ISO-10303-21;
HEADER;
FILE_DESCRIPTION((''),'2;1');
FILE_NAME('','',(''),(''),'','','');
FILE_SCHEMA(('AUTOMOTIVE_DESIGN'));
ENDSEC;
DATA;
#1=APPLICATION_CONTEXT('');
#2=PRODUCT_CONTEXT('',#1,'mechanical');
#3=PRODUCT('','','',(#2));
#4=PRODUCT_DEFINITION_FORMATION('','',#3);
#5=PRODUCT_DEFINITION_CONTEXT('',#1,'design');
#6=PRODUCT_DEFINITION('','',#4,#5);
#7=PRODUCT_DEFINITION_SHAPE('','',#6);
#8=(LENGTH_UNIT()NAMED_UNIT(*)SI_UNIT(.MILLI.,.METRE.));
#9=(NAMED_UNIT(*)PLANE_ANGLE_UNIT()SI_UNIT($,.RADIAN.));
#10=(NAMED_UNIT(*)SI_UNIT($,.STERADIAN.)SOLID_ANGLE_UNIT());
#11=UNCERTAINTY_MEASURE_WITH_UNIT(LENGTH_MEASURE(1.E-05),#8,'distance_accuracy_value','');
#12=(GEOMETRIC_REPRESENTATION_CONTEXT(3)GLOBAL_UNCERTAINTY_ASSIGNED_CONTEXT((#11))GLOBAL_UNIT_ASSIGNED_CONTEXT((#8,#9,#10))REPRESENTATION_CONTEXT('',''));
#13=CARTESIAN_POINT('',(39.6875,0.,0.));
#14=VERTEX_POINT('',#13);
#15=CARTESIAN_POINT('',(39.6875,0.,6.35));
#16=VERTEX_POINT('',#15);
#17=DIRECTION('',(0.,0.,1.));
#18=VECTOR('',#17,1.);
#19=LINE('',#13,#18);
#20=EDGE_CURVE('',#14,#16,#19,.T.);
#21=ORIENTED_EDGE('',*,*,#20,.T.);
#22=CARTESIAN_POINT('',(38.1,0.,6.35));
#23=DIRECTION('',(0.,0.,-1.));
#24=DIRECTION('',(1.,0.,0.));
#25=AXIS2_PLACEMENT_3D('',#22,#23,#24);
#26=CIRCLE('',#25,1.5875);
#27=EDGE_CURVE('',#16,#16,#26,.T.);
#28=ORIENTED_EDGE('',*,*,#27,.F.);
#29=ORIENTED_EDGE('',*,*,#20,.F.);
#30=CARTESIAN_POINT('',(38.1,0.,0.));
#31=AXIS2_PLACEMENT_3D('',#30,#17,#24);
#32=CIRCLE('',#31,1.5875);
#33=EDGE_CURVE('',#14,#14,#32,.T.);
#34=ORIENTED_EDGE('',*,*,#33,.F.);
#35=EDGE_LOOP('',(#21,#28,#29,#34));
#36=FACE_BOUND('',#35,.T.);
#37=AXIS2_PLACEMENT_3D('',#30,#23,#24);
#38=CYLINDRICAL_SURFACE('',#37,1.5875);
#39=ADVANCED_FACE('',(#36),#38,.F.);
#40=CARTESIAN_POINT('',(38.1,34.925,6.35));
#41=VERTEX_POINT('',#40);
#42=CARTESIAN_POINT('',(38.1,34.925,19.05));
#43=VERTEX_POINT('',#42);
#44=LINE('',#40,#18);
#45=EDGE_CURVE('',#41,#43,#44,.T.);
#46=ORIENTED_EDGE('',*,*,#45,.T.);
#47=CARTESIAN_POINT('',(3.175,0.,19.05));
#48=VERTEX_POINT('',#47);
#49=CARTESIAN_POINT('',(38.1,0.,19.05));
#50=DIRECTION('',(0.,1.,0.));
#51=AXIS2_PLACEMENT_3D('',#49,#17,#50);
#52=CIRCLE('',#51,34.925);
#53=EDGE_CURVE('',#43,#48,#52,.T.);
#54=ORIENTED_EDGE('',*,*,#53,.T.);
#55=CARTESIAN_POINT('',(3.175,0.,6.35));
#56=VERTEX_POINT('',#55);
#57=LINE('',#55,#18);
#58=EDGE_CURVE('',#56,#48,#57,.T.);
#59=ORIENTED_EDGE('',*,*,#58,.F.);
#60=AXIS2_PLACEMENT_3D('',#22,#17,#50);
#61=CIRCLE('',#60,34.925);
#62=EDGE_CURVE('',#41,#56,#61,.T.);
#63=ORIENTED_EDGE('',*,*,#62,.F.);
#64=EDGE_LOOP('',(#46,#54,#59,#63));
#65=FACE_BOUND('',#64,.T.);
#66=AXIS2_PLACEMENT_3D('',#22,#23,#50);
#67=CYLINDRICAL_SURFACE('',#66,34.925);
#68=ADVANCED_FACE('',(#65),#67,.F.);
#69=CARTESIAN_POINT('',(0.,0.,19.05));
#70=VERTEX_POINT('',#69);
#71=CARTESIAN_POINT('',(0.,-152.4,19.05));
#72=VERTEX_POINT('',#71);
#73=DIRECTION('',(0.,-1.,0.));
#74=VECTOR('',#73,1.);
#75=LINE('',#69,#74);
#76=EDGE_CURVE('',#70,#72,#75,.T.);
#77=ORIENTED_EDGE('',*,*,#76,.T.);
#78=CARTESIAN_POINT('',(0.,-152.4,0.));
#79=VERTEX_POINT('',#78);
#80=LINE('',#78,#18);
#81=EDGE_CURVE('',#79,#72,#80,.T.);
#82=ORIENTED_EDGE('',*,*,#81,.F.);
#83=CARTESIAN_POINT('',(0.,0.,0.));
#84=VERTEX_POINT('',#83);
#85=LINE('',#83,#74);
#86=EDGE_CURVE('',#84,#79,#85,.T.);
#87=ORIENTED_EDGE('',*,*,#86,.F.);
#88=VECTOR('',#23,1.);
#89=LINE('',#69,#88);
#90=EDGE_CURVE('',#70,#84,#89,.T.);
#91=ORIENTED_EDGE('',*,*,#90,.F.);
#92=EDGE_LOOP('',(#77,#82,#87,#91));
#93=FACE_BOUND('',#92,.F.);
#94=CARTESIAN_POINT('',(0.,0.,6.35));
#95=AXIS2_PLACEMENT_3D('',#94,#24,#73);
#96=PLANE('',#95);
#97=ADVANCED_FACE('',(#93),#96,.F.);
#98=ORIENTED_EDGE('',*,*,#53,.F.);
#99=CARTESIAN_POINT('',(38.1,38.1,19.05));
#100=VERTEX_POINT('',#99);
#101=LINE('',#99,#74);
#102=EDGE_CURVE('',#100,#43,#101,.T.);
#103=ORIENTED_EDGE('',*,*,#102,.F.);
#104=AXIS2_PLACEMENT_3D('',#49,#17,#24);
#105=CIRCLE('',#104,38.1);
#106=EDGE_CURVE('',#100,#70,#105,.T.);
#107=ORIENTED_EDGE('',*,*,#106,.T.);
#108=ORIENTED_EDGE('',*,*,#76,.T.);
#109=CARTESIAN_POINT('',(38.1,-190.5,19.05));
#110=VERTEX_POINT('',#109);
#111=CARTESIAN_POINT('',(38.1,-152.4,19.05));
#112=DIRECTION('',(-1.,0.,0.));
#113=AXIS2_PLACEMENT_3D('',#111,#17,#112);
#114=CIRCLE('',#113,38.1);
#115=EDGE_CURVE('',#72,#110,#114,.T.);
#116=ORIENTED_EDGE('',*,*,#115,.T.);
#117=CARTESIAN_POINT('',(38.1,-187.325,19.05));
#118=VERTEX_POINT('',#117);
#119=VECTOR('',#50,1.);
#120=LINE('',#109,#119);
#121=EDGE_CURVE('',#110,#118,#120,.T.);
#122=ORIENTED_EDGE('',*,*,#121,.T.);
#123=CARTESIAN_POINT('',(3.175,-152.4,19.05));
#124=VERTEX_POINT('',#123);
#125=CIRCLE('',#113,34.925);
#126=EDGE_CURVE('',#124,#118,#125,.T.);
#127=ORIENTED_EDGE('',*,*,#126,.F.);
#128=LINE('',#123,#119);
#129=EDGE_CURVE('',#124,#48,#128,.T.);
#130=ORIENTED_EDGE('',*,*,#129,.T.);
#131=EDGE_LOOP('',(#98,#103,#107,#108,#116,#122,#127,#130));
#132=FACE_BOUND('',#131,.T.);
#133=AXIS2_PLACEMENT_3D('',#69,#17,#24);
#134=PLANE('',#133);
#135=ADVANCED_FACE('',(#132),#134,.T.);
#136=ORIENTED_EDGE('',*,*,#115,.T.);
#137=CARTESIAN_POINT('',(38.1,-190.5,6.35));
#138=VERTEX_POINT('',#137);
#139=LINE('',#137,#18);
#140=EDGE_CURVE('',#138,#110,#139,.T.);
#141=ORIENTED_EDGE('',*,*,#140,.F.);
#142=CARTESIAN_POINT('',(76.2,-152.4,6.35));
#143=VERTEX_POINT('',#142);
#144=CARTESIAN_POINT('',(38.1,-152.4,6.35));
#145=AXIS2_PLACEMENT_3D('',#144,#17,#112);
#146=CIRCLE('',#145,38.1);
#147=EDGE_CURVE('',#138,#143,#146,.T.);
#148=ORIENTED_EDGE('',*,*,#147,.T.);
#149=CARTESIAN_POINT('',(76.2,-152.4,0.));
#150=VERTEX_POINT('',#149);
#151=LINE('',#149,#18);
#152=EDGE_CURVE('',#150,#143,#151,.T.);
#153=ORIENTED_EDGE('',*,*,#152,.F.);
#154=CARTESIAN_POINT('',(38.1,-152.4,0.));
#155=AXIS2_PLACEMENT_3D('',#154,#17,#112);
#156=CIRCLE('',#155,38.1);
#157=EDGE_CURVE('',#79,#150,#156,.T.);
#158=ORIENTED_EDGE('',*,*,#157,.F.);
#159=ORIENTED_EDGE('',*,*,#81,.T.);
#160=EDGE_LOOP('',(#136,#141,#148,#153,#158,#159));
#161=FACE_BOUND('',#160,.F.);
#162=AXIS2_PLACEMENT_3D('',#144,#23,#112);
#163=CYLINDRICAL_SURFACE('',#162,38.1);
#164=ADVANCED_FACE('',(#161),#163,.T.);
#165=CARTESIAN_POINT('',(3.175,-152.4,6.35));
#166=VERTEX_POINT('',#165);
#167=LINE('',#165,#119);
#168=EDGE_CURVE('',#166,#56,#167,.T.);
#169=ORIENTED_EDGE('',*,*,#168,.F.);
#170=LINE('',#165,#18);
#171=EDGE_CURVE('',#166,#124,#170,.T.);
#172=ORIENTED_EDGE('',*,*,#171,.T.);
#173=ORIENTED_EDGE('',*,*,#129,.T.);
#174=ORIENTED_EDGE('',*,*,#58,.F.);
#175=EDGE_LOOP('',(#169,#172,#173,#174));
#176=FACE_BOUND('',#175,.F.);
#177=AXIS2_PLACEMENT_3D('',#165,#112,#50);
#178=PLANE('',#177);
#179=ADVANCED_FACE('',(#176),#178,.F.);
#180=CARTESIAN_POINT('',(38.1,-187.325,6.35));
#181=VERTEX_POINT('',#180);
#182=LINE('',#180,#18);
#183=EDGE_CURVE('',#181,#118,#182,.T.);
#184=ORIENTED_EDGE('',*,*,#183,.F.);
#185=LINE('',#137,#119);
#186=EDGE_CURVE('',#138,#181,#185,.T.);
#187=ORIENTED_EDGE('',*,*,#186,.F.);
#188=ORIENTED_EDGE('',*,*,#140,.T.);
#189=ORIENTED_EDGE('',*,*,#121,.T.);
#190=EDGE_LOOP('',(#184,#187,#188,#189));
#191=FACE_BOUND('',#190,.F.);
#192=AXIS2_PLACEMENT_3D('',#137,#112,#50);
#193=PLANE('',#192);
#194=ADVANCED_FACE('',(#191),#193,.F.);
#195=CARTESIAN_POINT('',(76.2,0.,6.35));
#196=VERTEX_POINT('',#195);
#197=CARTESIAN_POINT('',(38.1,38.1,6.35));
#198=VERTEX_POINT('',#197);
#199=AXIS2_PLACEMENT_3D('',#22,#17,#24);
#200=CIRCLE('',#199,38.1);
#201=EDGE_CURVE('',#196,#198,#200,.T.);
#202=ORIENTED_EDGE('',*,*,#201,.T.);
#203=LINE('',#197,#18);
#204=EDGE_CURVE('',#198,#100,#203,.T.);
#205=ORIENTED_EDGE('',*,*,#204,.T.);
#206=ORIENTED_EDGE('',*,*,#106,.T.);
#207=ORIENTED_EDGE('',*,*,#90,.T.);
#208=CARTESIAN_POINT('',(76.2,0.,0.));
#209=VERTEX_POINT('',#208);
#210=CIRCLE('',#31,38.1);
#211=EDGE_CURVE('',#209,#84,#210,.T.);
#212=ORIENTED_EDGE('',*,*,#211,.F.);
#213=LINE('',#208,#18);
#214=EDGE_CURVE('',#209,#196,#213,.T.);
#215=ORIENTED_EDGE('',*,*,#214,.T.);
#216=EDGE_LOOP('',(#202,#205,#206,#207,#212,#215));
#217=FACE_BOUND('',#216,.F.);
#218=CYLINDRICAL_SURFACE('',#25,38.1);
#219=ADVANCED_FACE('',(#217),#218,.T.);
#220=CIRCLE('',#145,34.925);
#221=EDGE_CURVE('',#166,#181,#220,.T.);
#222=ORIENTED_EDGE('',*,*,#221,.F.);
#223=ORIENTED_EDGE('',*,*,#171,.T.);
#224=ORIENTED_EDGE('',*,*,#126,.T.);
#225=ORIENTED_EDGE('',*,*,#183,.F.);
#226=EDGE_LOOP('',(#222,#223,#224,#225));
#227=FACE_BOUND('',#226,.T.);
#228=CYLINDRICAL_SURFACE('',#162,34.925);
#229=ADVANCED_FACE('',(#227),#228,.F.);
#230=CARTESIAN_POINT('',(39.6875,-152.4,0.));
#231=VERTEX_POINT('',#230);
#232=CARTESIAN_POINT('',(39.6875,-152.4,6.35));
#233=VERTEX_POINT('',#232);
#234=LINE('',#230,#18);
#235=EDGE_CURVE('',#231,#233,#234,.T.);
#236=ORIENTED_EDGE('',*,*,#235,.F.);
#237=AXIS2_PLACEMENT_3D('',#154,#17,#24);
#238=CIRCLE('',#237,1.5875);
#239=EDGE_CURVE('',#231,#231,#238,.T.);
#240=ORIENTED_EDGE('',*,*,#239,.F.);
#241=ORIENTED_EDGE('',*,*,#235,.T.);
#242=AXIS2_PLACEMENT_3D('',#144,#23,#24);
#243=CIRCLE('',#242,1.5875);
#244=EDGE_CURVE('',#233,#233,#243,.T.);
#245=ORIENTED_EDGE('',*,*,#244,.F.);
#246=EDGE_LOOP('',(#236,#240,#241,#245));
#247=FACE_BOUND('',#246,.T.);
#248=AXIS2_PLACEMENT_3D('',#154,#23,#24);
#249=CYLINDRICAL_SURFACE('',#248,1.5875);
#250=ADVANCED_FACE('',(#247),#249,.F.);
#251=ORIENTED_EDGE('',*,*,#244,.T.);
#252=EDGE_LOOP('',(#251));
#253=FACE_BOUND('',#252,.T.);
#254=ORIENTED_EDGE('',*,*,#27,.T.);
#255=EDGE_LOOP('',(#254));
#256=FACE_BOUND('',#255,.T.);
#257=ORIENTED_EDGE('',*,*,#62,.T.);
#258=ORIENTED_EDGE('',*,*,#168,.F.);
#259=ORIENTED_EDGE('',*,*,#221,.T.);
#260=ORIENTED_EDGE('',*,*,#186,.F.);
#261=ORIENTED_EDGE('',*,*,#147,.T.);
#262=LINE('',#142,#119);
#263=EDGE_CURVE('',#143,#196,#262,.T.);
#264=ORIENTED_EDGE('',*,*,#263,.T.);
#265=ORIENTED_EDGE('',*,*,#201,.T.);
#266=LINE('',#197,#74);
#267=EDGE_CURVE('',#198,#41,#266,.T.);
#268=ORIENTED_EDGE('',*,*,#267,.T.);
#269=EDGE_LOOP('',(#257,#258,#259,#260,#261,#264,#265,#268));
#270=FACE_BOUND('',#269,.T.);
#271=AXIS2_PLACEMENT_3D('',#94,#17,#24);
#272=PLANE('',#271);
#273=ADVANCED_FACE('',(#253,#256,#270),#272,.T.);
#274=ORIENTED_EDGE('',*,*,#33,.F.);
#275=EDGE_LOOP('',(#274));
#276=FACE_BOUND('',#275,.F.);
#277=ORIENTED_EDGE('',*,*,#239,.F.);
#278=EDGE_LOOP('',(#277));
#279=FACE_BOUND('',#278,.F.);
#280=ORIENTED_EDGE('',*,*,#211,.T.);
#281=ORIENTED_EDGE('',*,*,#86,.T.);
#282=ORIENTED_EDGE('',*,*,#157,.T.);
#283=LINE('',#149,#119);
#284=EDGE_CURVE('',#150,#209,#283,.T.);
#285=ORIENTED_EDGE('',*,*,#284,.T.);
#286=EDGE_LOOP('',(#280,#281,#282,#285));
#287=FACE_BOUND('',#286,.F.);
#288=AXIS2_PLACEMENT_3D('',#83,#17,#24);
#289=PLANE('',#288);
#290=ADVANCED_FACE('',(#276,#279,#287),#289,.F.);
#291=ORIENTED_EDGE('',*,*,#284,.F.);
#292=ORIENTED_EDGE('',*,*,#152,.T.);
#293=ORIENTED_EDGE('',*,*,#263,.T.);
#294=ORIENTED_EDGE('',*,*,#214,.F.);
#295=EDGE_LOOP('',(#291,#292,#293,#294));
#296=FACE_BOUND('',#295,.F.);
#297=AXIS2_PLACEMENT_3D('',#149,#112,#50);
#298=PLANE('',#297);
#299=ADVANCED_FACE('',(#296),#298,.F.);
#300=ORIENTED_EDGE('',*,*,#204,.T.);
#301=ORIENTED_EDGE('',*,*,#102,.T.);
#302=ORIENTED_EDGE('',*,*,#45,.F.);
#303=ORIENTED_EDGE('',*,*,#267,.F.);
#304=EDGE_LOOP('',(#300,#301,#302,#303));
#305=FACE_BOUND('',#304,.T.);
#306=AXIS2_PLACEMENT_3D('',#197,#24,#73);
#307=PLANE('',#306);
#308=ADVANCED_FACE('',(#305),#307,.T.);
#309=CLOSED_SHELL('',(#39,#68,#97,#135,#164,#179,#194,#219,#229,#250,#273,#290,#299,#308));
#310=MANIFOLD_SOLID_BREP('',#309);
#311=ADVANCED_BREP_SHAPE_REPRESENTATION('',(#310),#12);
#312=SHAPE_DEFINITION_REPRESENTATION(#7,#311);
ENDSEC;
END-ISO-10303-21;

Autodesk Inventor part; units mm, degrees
ref_plane "YZ Plane" through (0, 0, 0) normal (1, 0, 0) x (0, 1, 0)
ref_plane "XZ Plane" through (0, 0, 0) normal (0, 1, 0) x (-1, 0, 0)
ref_plane "XY Plane" through (0, 0, 0) normal (0, 0, 1) x (1, 0, 0)
sketch "Sketch1" plane through (0, 0, 0) normal (0, 0, 1) x (1, 0, 0)
  line L0 (0, 0) -> (0, -152.4)
  line L1 (76.2, -152.4) -> (76.2, 0)
  arc A0 (0, -152.4) -> (76.2, -152.4) centre (38.1, -152.4) ccw
  arc A1 (76.2, 0) -> (0, 0) centre (38.1, 0) ccw
  circle A2 centre (38.1, 0) radius 1.5875
  circle A3 centre (38.1, -152.4) radius 1.5875
  dimension "d17" = 3.175
  dimension "d18" = 3.175
extrude "Extrusion1" add sketch "Sketch1" along normal blind 6.35 contours A1 L1 A0 L0 | A2 | A3
extrude "Extrusion4" cut sketch "Sketch1" along normal blind 12.7 contours A2 | A3
sketch "Sketch3" plane through (0, 0, 6.35) normal (0, 0, 1) x (1, 0, 0)
  arc A0 (0, -152.4) -> (76.2, -152.4) centre (38.1, -152.4) ccw projected
  line L0 (38.1, -190.5) -> (38.1, -187.325)
  arc A1 (3.175, -152.4) -> (38.1, -187.325) centre (38.1, -152.4) ccw
  arc A2 (76.2, 0) -> (0, 0) centre (38.1, 0) ccw projected
  line L1 (38.1, 38.1) -> (38.1, 34.925)
  arc A3 (38.1, 34.925) -> (3.175, 0) centre (38.1, 0) ccw
  line L2 (3.175, -152.4) -> (3.175, 0)
  line L3 (0, 0) -> (0, -152.4) projected
  dimension "d21" = 3.175
  dimension "d23" = 3.175
  dimension "d24" = 3.175
extrude "Extrusion5" add sketch "Sketch3" along normal blind 12.7
sketch "Sketch4" plane through (0, 0, 6.35) normal (0, 0, 1) x (1, 0, 0)
  point P0 (0, 0)
properties part number "ChainGuard"
